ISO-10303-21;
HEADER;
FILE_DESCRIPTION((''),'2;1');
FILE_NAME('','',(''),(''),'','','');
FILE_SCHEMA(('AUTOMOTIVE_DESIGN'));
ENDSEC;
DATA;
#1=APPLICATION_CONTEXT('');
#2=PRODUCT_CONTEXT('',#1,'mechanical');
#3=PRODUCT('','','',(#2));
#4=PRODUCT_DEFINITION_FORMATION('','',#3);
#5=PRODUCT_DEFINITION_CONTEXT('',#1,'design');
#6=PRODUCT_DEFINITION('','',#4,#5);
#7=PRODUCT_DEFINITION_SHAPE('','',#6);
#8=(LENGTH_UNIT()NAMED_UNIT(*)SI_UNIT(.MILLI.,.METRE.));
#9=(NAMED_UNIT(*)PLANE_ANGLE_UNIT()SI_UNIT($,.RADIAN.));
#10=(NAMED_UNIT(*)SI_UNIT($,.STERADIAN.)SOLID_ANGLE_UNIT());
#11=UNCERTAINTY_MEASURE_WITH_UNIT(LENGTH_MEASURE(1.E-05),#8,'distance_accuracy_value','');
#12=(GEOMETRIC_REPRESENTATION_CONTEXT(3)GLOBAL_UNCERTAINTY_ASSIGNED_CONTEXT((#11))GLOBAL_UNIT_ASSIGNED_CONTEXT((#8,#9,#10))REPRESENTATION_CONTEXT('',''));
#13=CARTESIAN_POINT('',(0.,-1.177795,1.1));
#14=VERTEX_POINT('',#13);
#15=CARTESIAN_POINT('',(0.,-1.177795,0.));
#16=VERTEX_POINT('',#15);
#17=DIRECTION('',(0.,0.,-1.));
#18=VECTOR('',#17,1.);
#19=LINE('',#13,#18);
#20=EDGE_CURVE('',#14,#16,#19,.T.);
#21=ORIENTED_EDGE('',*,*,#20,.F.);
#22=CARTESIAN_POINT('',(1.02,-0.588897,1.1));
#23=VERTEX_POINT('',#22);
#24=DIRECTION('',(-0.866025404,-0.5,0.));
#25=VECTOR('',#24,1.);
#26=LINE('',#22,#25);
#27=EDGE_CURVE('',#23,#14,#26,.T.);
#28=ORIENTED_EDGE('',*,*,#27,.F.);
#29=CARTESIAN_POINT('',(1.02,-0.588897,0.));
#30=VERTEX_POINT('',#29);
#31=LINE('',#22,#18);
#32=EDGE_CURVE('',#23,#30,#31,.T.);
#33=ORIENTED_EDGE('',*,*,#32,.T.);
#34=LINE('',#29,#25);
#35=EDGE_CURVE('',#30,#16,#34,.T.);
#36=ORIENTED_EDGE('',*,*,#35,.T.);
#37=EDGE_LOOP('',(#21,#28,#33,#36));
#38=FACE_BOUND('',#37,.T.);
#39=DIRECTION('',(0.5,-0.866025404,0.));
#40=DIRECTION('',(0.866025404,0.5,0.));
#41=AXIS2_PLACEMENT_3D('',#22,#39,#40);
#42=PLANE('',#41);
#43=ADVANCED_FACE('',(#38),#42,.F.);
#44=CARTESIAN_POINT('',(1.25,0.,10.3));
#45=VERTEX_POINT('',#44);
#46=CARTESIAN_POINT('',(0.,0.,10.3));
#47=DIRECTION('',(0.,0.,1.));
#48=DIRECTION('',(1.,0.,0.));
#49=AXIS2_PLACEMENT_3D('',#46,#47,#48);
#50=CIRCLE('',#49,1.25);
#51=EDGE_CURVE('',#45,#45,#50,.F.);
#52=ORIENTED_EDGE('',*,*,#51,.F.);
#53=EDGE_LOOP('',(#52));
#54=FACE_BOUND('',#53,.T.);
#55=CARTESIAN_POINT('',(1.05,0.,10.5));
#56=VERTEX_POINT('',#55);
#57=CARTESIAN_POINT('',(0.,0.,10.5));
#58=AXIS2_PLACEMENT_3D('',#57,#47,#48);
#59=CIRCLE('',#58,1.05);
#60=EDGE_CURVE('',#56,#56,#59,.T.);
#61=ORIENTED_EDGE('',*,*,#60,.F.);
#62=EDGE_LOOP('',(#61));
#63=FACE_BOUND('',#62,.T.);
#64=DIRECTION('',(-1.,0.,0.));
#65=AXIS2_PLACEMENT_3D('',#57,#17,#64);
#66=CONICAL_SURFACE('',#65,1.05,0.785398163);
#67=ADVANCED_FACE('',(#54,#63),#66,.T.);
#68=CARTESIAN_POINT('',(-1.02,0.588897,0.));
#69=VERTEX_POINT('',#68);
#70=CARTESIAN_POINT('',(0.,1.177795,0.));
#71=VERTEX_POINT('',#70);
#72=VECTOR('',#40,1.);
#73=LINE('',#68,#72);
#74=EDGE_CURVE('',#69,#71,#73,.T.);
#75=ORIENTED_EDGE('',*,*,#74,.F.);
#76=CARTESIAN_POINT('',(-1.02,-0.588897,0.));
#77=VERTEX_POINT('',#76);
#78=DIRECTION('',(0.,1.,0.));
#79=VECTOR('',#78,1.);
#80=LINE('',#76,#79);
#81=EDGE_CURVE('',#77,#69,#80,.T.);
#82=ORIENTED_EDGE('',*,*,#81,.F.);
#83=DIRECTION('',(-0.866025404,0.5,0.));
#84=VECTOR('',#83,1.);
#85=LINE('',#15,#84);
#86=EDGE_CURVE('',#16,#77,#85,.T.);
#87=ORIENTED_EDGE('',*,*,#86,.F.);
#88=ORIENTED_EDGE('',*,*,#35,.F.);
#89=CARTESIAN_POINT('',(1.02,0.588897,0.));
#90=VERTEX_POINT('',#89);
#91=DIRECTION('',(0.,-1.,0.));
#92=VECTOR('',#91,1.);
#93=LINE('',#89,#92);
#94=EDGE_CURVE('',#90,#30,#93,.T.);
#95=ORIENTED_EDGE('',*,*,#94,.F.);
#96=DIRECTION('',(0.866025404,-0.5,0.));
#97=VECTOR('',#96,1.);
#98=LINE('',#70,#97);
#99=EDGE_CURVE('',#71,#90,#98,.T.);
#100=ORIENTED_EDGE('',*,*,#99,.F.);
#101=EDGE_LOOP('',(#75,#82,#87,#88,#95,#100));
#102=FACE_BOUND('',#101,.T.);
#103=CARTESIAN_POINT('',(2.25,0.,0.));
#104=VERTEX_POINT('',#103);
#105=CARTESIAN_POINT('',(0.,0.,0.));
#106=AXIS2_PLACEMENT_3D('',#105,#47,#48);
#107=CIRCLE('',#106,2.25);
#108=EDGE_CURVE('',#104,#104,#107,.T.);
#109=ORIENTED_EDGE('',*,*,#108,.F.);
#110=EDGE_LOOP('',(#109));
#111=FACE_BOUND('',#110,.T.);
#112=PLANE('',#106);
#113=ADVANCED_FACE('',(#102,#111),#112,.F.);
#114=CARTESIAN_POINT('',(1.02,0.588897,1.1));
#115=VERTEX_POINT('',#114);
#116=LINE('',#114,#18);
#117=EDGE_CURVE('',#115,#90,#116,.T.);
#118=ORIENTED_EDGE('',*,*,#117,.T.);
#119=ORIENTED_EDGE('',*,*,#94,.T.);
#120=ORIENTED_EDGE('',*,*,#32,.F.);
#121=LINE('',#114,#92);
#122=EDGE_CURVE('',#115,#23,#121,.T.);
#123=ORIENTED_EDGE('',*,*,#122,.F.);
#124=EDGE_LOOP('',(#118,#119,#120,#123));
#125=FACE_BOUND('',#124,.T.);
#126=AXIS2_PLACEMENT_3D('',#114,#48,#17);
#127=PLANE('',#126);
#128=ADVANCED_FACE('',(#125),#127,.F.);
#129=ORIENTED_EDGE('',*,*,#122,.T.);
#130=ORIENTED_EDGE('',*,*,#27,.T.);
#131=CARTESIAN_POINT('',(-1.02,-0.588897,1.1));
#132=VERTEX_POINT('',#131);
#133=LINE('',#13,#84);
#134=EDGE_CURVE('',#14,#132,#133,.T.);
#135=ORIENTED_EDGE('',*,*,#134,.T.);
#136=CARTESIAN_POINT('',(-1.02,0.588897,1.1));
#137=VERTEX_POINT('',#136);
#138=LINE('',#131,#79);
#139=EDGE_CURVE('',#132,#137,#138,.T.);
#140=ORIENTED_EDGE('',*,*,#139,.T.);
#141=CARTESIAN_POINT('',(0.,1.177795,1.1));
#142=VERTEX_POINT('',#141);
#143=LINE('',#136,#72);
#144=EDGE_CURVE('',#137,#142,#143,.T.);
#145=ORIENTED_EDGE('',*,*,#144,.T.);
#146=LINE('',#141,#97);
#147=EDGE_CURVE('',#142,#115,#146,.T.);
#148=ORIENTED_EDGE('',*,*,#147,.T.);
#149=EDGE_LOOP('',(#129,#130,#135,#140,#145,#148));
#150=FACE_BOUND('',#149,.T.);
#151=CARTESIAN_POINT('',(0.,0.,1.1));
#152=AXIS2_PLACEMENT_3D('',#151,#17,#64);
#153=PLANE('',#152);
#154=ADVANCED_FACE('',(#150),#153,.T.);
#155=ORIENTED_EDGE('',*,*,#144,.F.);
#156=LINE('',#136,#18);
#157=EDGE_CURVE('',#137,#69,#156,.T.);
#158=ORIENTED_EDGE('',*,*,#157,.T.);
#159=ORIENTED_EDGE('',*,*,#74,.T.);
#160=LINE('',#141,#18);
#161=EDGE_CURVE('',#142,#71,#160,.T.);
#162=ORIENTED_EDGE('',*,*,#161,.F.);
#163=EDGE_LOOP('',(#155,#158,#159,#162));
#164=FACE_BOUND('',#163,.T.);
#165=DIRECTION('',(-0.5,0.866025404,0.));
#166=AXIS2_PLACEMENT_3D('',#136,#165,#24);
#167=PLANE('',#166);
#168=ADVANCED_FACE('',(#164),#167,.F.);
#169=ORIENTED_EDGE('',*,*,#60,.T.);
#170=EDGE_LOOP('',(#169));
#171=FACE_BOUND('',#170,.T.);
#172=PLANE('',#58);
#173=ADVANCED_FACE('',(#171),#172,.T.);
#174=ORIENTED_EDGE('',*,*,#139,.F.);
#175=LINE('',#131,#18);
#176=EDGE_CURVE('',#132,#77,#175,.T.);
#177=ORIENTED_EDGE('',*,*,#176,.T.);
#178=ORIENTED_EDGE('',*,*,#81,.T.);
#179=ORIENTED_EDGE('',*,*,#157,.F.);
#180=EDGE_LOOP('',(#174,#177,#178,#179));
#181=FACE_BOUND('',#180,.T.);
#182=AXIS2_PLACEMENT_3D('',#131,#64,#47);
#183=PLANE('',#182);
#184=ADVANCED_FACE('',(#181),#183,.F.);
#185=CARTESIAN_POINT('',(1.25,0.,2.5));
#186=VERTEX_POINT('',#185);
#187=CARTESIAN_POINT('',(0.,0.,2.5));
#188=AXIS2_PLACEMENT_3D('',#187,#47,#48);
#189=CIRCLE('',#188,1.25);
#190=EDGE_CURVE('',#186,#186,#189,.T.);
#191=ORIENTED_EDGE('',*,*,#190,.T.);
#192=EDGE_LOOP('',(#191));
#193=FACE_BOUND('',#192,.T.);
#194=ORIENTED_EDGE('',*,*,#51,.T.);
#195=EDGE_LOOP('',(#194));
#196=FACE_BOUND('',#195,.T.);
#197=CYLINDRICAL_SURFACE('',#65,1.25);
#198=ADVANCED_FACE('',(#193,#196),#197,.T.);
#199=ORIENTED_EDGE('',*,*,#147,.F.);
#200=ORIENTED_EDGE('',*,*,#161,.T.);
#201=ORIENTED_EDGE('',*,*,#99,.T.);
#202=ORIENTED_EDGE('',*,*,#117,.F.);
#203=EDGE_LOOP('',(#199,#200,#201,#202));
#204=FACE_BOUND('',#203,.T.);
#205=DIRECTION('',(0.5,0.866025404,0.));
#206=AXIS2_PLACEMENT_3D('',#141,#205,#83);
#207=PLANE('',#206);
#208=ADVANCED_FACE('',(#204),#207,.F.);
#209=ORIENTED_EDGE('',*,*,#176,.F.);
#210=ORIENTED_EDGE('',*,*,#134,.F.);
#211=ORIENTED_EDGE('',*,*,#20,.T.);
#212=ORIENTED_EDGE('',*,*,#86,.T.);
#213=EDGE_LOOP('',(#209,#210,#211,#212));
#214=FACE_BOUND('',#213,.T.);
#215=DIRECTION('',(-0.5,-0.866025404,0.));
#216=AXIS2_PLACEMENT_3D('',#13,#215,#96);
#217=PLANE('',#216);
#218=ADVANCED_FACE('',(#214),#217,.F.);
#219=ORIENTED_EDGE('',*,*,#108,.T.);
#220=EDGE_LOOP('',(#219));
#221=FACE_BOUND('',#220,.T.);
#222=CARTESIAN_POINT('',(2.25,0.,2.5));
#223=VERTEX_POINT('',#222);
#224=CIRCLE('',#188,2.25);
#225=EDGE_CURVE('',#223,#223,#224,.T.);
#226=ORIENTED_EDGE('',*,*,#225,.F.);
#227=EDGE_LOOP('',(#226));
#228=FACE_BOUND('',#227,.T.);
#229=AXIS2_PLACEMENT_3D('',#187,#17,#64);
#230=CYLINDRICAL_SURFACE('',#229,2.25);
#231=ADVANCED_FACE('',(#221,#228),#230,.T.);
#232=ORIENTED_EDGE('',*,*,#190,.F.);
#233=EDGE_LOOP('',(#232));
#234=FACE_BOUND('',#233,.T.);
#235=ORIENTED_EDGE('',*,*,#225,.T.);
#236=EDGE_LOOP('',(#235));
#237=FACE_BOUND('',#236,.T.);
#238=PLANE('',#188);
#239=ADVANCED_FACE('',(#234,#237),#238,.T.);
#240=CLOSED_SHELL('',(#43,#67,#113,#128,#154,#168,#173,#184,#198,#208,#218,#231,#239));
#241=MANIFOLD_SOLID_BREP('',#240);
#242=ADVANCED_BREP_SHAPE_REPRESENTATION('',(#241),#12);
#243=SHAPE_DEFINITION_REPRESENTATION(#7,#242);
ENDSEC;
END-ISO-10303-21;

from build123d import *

# Parameters (mm, degrees)
SKETCH_1_R          = 2.25
EXTRUDE_1_DEPTH     = 2.5
SKETCH_2_R          = 1.25
EXTRUDE_2_DEPTH     = 8
CHAMFER_1_SIZE      = 0.2
CUT_EXTRUDE_1_DEPTH = 1.1


with BuildPart() as part:
    # 草图1 → 凸台-拉伸1 (new body)
    with BuildSketch(Plane.XY):
        Circle(SKETCH_1_R)
    extrude(amount=EXTRUDE_1_DEPTH)

    # 草图2 → 凸台-拉伸2 (add)
    with BuildSketch(Plane.XY.offset(2.5)):
        Circle(SKETCH_2_R)
    extrude(amount=EXTRUDE_2_DEPTH)

    # 倒角1
    chamfer_1_edges = [part.edges().sort_by_distance(p)[0] for p in [
        (-1.25, 0, 10.5),
    ]]
    chamfer(chamfer_1_edges, length=CHAMFER_1_SIZE)

    # 草图3 → 切除-拉伸1 (cut)
    with BuildSketch(Plane(origin=(0, 0, 0), x_dir=(-1, 0, 0), z_dir=(0, 0, -1))):
        Polygon((0, 1.177794549), (-1.02, 0.588897275), (-1.02, -0.588897275), (0, -1.177794549), (1.02, -0.588897275), (1.02, 0.588897275), align=None)
    extrude(amount=-CUT_EXTRUDE_1_DEPTH, mode=Mode.SUBTRACT)


solid = part.part
